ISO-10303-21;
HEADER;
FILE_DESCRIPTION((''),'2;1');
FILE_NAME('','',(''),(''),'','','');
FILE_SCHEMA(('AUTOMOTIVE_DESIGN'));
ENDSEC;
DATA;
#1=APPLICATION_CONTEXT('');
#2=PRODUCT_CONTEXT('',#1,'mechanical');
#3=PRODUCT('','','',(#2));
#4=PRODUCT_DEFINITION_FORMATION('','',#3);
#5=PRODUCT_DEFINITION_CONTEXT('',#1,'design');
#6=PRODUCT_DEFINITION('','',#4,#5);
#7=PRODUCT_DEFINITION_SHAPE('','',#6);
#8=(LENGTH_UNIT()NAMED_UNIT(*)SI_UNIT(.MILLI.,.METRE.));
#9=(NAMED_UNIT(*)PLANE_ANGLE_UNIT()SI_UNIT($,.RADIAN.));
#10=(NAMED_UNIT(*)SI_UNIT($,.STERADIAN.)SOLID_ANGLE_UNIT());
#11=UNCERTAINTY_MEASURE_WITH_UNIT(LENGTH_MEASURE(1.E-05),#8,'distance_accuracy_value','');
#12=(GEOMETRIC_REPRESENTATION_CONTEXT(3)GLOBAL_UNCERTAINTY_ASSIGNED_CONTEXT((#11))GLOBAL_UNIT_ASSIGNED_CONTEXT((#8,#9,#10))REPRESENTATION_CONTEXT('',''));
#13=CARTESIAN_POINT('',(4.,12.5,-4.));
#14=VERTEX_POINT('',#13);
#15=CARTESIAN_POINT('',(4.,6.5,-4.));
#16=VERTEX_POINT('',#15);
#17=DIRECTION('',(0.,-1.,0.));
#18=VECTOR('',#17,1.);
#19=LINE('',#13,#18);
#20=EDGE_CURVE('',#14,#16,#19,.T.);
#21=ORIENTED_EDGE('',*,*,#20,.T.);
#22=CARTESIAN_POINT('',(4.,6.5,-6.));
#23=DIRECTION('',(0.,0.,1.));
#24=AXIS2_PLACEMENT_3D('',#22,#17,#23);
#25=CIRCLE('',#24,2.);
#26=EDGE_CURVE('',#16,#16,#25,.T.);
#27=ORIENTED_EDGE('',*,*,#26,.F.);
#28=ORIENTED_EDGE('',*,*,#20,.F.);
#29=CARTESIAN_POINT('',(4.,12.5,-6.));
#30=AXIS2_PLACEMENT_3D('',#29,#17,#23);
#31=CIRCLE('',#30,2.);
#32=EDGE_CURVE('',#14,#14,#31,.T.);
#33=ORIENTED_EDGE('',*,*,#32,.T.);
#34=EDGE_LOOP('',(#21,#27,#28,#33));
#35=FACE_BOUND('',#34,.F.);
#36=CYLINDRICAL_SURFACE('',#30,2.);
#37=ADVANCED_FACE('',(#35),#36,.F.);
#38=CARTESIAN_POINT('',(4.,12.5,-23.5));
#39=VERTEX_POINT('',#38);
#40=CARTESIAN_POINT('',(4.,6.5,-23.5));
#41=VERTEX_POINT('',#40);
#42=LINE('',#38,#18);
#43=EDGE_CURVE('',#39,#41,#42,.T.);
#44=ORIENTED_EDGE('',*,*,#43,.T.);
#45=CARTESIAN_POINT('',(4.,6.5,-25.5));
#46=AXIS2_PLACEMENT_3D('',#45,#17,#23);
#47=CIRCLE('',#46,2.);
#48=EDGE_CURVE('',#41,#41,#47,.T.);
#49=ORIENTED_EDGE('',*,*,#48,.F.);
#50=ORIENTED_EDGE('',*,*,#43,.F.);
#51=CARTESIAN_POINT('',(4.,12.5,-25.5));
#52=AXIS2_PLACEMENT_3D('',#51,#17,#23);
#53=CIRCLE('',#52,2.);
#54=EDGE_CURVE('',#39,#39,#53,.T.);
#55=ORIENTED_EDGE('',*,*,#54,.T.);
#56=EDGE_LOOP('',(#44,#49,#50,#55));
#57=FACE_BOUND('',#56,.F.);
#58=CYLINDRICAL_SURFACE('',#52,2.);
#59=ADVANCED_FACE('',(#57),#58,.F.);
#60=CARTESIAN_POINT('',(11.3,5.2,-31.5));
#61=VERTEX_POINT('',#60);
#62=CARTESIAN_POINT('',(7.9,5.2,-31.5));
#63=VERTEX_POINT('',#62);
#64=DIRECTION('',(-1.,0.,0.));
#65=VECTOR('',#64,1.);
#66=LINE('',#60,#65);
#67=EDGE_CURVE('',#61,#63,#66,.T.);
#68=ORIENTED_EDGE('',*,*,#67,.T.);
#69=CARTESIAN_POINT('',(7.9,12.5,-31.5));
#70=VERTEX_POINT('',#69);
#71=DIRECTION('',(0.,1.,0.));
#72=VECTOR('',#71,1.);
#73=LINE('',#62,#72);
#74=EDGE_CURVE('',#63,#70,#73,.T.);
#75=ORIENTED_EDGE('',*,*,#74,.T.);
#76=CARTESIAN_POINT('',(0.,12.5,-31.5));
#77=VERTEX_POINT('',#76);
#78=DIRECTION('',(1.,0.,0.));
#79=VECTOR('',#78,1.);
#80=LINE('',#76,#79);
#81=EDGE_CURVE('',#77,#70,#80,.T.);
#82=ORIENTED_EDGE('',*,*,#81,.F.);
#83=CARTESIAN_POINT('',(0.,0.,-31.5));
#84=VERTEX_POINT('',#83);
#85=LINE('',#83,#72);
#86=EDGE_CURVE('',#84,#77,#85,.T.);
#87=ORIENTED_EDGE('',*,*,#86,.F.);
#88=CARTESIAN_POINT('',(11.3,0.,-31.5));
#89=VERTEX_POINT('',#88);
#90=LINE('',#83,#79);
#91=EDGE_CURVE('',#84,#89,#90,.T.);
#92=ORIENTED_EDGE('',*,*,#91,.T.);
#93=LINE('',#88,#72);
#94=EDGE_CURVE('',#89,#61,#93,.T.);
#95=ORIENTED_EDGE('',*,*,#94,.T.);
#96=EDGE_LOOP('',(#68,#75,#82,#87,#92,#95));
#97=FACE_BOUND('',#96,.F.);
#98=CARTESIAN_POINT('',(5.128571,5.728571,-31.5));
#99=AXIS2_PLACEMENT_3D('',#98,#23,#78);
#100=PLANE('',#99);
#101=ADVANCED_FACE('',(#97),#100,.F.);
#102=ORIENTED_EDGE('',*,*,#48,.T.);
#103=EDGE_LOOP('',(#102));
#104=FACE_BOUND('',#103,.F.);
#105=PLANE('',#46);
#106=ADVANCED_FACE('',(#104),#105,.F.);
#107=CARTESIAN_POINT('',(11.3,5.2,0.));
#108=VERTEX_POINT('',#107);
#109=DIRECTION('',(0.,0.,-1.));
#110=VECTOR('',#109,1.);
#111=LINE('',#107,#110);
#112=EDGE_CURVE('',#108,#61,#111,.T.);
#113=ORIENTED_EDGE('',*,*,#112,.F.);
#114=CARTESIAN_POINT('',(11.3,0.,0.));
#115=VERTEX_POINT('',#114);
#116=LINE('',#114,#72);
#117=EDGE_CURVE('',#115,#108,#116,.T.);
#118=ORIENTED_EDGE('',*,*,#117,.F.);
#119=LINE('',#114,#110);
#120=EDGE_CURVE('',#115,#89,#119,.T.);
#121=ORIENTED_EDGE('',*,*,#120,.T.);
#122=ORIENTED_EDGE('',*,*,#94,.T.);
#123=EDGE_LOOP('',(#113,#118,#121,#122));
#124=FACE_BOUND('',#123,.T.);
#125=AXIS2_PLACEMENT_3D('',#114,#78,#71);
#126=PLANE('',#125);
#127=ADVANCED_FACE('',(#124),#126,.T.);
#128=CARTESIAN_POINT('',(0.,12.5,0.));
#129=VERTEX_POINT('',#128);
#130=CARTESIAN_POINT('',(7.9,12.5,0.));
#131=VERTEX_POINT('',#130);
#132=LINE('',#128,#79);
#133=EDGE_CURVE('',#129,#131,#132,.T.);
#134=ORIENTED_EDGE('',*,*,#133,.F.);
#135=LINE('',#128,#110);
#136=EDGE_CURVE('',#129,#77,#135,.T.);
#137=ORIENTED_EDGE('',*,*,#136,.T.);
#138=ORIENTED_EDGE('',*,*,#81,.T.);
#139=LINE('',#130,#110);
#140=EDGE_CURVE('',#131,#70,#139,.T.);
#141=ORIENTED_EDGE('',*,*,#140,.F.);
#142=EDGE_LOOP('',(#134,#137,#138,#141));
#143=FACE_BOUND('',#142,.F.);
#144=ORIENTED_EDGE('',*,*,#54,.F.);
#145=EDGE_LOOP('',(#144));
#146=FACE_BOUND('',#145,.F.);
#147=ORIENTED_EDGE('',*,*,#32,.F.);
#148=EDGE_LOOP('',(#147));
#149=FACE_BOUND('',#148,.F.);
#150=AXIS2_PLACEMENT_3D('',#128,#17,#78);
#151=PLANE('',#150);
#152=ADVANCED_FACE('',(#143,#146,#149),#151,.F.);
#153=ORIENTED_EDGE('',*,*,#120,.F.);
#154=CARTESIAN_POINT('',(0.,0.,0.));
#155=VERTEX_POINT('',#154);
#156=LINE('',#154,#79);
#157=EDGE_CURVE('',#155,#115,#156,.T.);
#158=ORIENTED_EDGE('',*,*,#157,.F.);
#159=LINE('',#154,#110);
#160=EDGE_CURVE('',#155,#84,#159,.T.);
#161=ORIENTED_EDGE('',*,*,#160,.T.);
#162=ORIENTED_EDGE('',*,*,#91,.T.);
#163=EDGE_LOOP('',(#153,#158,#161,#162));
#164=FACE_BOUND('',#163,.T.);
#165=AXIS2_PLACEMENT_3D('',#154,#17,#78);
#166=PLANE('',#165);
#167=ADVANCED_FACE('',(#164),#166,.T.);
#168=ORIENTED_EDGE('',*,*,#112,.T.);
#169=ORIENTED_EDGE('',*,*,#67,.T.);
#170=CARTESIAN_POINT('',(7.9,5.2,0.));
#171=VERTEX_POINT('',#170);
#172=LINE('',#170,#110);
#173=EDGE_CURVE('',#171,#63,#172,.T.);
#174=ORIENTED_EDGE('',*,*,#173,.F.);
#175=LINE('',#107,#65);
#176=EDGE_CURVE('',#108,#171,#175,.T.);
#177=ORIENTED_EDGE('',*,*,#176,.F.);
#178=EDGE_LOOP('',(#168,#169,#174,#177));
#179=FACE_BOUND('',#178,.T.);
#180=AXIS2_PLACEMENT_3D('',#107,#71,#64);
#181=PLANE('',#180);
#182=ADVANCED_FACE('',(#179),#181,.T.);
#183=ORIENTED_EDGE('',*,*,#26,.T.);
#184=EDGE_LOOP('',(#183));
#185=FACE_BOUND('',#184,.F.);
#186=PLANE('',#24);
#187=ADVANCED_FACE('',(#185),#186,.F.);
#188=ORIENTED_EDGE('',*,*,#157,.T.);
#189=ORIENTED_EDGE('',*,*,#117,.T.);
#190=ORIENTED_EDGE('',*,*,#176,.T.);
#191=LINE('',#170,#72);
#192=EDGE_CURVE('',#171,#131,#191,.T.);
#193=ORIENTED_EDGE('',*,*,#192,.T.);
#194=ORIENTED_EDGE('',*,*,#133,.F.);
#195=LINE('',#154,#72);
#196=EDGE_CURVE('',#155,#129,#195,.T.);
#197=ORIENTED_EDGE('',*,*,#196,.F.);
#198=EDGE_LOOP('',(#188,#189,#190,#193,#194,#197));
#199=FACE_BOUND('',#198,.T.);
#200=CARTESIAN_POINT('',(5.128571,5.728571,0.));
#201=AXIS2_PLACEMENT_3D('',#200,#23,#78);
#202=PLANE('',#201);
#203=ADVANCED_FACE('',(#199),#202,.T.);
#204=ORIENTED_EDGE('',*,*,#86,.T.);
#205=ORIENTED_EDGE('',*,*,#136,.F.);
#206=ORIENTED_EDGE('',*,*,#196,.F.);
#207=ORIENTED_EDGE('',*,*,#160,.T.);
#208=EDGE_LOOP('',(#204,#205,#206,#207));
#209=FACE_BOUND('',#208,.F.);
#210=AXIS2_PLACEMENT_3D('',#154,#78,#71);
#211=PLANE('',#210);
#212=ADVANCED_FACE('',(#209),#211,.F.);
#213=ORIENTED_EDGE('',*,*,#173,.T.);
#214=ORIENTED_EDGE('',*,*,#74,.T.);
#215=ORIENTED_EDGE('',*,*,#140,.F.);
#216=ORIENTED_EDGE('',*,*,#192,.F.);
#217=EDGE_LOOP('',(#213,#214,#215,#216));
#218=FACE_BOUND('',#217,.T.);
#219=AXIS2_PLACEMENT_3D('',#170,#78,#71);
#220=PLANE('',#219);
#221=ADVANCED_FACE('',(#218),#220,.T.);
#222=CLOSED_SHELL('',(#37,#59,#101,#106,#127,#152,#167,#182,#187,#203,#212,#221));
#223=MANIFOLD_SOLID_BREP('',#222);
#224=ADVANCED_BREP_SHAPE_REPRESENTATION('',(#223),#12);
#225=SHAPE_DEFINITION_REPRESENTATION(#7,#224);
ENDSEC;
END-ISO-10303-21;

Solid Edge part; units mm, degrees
sketch "Sketch1" plane through (0, 0, 0) normal (0, 0, 1) x (1, 0, 0)
  line L0 (7.9, 5.2) -> (7.9, 12.5)
  line L1 (0, 12.5) -> (7.9, 12.5)
  line L2 (0, 0) -> (0, 12.5)
  line L3 (0, 0) -> (11.3, 0)
  line L4 (11.3, 0) -> (11.3, 5.2)
  line L5 (11.3, 5.2) -> (7.9, 5.2)
extrude "Protrusion1" add sketch "Sketch1" against normal blind 31.5
hole "Hole_1" at (4, 12.5, -25.5) direction (0, -1, 0) diameter 4 depth 6
hole "Hole1" at (4, 12.5, -6) direction (0, -1, 0) diameter 4 depth 6
